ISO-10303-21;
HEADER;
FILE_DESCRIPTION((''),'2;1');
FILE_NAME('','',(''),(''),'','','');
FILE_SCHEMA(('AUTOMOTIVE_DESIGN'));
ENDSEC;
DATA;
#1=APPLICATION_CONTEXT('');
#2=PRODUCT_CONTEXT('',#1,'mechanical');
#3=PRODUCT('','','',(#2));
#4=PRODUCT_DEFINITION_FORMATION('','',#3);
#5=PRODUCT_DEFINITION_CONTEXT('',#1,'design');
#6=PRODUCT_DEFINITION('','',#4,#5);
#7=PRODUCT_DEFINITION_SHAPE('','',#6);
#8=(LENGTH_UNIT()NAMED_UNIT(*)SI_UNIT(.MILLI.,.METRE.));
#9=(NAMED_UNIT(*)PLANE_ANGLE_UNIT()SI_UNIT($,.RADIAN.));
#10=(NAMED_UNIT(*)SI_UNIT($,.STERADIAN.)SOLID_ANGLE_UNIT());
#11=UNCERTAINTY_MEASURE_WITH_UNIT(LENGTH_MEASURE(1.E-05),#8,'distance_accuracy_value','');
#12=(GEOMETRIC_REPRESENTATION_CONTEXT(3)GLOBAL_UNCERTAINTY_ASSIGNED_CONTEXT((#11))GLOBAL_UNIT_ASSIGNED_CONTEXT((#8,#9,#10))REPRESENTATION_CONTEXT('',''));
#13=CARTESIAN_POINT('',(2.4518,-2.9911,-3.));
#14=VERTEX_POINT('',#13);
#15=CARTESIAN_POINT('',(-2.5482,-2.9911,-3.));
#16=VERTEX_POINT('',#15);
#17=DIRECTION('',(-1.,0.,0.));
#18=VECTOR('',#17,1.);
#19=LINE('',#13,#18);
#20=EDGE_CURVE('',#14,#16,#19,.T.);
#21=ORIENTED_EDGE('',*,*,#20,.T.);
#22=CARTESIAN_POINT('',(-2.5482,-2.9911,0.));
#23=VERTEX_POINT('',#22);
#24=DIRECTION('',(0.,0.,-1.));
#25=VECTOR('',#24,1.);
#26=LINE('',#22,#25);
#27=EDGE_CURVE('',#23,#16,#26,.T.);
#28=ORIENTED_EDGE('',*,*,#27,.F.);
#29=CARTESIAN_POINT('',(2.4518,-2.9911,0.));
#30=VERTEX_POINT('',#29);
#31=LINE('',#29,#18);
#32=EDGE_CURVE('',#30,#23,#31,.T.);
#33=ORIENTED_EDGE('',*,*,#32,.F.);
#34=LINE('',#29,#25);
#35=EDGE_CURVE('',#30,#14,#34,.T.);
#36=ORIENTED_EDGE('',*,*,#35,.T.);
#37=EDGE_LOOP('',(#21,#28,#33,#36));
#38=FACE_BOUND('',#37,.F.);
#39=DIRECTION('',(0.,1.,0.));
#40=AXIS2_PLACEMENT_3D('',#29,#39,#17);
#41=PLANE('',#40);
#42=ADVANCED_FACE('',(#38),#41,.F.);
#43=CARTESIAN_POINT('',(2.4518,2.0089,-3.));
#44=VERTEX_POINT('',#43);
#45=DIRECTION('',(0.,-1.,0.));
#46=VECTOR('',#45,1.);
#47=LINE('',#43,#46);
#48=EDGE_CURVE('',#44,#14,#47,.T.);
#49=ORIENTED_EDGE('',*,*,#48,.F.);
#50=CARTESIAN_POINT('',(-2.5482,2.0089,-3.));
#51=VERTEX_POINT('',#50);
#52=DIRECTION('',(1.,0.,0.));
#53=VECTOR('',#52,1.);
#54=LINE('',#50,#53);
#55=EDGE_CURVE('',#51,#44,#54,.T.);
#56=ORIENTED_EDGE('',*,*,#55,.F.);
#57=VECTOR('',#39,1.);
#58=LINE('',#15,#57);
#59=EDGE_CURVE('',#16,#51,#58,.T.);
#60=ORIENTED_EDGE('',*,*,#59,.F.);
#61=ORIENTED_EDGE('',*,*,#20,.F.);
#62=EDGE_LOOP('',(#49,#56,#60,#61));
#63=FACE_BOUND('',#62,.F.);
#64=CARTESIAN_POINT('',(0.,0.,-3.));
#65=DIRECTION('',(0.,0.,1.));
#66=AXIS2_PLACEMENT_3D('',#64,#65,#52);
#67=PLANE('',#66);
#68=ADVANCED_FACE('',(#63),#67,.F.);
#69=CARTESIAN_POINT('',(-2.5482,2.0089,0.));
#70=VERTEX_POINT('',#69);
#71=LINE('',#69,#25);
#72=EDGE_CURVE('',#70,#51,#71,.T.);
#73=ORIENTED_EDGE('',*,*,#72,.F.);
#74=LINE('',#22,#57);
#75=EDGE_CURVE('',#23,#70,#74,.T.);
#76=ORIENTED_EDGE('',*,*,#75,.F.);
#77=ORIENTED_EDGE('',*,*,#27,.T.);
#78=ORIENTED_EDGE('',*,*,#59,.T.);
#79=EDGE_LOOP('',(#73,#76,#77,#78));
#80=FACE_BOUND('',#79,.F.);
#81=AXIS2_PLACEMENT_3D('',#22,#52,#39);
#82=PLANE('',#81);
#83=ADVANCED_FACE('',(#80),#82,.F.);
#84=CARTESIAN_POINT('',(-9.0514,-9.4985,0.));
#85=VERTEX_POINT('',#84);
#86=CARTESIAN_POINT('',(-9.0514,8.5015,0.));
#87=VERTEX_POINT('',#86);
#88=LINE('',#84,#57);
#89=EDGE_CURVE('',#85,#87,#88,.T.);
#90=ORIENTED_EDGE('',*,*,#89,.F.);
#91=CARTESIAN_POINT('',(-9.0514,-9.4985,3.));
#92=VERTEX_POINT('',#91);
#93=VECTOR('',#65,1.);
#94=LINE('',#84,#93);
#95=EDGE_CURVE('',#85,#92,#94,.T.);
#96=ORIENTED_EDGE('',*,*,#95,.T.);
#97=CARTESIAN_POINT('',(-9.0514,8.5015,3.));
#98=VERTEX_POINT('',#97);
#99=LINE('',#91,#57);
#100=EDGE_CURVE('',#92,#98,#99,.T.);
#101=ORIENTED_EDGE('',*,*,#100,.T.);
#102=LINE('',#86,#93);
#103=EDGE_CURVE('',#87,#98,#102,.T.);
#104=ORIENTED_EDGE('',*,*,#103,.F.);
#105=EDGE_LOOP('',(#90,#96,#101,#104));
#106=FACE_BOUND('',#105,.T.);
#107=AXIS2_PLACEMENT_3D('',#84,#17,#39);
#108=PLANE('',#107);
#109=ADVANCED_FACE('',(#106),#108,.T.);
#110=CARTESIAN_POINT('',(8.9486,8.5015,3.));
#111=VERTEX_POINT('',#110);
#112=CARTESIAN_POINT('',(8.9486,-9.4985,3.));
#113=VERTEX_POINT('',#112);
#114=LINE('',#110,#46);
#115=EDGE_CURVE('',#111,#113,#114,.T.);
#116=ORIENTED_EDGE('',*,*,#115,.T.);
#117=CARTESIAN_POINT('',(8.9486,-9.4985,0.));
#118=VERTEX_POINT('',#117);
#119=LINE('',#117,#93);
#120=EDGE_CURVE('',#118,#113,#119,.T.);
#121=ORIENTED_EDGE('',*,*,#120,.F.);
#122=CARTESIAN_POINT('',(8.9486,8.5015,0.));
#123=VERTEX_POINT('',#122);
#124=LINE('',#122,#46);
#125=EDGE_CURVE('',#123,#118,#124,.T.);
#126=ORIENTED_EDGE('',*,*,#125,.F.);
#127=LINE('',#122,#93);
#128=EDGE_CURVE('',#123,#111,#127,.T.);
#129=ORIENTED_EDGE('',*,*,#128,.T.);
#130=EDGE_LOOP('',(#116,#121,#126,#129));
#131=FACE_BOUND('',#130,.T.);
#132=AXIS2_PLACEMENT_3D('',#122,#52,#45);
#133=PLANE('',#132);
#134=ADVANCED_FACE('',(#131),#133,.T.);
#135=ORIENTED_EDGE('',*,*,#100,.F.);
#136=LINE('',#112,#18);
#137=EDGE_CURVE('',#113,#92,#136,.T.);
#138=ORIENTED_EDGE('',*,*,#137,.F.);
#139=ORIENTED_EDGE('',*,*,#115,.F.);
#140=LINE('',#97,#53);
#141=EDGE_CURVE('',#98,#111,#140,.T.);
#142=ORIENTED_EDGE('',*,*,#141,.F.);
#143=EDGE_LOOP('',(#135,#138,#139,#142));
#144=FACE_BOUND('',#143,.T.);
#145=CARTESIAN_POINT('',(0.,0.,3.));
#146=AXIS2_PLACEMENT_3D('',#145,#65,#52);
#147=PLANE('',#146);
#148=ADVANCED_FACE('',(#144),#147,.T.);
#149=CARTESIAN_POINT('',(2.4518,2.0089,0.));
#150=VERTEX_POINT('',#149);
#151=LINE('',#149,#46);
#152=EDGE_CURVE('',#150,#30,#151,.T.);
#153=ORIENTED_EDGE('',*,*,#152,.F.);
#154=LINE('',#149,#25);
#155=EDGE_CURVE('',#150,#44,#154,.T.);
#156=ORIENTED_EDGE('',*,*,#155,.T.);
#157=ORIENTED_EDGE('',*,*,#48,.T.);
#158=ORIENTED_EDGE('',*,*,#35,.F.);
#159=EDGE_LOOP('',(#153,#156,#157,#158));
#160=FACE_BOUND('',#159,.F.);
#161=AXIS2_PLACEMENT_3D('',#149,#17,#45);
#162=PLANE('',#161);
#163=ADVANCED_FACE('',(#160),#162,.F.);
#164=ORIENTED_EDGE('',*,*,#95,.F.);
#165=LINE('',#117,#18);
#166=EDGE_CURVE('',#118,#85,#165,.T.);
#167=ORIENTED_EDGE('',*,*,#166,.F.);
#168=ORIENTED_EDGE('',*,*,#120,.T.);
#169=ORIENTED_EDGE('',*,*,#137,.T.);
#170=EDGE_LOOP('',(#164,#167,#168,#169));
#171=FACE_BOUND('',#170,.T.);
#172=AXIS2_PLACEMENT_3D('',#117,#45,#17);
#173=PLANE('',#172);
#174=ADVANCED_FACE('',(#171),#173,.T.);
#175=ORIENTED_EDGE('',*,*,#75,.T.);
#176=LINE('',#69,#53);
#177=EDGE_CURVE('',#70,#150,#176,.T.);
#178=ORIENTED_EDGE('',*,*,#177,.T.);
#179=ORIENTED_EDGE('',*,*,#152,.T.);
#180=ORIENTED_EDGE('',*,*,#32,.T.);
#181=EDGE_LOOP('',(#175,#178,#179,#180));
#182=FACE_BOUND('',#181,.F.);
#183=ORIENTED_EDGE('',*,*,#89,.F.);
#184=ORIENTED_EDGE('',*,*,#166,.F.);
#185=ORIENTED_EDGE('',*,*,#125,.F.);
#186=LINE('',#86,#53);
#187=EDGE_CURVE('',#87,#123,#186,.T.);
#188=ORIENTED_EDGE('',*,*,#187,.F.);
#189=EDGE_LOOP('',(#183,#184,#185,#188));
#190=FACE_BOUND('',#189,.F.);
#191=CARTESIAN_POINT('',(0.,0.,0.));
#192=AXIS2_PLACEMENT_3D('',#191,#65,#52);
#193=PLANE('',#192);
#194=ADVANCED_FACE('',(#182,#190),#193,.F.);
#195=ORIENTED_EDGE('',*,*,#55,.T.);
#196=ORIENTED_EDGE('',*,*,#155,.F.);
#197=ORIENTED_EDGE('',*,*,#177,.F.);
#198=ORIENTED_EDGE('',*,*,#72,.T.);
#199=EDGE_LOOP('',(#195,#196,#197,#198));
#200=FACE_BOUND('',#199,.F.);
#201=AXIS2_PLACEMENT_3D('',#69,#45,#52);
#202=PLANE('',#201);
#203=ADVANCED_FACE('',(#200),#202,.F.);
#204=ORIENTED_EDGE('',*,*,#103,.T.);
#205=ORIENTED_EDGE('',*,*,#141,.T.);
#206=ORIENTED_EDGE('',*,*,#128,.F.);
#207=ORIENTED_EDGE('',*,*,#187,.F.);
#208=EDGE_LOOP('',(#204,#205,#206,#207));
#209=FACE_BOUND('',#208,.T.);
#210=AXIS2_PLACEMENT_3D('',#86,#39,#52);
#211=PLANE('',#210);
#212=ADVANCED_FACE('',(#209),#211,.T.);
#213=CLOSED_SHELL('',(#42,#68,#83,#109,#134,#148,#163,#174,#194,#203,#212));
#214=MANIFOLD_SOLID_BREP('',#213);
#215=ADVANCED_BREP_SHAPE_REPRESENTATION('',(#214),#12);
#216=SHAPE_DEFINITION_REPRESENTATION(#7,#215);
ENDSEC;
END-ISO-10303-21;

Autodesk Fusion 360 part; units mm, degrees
sketch "草图1" plane through (0, 0, 0) normal (0, 0, 1) x (1, 0, 0)
  line L0 (-9.0514, 8.5015) -> (8.9486, 8.5015)
  line L1 (8.9486, 8.5015) -> (8.9486, -9.4985)
  line L2 (8.9486, -9.4985) -> (-9.0514, -9.4985)
  line L3 (-9.0514, -9.4985) -> (-9.0514, 8.5015)
  dimension "d3" = 18
  dimension "d4" = 18
extrude "拉伸1" add sketch "草图1" along normal blind 3
sketch "草图2" plane through (0, 0, 0) normal (0, 0, 1) x (1, 0, 0)
  line L0 (-2.5482, 2.0089) -> (2.4518, 2.0089)
  line L1 (2.4518, 2.0089) -> (2.4518, -2.9911)
  line L2 (2.4518, -2.9911) -> (-2.5482, -2.9911)
  line L3 (-2.5482, -2.9911) -> (-2.5482, 2.0089)
  dimension "d7" = 5
  dimension "d8" = 5
extrude "拉伸2" add sketch "草图2" against normal blind 3
